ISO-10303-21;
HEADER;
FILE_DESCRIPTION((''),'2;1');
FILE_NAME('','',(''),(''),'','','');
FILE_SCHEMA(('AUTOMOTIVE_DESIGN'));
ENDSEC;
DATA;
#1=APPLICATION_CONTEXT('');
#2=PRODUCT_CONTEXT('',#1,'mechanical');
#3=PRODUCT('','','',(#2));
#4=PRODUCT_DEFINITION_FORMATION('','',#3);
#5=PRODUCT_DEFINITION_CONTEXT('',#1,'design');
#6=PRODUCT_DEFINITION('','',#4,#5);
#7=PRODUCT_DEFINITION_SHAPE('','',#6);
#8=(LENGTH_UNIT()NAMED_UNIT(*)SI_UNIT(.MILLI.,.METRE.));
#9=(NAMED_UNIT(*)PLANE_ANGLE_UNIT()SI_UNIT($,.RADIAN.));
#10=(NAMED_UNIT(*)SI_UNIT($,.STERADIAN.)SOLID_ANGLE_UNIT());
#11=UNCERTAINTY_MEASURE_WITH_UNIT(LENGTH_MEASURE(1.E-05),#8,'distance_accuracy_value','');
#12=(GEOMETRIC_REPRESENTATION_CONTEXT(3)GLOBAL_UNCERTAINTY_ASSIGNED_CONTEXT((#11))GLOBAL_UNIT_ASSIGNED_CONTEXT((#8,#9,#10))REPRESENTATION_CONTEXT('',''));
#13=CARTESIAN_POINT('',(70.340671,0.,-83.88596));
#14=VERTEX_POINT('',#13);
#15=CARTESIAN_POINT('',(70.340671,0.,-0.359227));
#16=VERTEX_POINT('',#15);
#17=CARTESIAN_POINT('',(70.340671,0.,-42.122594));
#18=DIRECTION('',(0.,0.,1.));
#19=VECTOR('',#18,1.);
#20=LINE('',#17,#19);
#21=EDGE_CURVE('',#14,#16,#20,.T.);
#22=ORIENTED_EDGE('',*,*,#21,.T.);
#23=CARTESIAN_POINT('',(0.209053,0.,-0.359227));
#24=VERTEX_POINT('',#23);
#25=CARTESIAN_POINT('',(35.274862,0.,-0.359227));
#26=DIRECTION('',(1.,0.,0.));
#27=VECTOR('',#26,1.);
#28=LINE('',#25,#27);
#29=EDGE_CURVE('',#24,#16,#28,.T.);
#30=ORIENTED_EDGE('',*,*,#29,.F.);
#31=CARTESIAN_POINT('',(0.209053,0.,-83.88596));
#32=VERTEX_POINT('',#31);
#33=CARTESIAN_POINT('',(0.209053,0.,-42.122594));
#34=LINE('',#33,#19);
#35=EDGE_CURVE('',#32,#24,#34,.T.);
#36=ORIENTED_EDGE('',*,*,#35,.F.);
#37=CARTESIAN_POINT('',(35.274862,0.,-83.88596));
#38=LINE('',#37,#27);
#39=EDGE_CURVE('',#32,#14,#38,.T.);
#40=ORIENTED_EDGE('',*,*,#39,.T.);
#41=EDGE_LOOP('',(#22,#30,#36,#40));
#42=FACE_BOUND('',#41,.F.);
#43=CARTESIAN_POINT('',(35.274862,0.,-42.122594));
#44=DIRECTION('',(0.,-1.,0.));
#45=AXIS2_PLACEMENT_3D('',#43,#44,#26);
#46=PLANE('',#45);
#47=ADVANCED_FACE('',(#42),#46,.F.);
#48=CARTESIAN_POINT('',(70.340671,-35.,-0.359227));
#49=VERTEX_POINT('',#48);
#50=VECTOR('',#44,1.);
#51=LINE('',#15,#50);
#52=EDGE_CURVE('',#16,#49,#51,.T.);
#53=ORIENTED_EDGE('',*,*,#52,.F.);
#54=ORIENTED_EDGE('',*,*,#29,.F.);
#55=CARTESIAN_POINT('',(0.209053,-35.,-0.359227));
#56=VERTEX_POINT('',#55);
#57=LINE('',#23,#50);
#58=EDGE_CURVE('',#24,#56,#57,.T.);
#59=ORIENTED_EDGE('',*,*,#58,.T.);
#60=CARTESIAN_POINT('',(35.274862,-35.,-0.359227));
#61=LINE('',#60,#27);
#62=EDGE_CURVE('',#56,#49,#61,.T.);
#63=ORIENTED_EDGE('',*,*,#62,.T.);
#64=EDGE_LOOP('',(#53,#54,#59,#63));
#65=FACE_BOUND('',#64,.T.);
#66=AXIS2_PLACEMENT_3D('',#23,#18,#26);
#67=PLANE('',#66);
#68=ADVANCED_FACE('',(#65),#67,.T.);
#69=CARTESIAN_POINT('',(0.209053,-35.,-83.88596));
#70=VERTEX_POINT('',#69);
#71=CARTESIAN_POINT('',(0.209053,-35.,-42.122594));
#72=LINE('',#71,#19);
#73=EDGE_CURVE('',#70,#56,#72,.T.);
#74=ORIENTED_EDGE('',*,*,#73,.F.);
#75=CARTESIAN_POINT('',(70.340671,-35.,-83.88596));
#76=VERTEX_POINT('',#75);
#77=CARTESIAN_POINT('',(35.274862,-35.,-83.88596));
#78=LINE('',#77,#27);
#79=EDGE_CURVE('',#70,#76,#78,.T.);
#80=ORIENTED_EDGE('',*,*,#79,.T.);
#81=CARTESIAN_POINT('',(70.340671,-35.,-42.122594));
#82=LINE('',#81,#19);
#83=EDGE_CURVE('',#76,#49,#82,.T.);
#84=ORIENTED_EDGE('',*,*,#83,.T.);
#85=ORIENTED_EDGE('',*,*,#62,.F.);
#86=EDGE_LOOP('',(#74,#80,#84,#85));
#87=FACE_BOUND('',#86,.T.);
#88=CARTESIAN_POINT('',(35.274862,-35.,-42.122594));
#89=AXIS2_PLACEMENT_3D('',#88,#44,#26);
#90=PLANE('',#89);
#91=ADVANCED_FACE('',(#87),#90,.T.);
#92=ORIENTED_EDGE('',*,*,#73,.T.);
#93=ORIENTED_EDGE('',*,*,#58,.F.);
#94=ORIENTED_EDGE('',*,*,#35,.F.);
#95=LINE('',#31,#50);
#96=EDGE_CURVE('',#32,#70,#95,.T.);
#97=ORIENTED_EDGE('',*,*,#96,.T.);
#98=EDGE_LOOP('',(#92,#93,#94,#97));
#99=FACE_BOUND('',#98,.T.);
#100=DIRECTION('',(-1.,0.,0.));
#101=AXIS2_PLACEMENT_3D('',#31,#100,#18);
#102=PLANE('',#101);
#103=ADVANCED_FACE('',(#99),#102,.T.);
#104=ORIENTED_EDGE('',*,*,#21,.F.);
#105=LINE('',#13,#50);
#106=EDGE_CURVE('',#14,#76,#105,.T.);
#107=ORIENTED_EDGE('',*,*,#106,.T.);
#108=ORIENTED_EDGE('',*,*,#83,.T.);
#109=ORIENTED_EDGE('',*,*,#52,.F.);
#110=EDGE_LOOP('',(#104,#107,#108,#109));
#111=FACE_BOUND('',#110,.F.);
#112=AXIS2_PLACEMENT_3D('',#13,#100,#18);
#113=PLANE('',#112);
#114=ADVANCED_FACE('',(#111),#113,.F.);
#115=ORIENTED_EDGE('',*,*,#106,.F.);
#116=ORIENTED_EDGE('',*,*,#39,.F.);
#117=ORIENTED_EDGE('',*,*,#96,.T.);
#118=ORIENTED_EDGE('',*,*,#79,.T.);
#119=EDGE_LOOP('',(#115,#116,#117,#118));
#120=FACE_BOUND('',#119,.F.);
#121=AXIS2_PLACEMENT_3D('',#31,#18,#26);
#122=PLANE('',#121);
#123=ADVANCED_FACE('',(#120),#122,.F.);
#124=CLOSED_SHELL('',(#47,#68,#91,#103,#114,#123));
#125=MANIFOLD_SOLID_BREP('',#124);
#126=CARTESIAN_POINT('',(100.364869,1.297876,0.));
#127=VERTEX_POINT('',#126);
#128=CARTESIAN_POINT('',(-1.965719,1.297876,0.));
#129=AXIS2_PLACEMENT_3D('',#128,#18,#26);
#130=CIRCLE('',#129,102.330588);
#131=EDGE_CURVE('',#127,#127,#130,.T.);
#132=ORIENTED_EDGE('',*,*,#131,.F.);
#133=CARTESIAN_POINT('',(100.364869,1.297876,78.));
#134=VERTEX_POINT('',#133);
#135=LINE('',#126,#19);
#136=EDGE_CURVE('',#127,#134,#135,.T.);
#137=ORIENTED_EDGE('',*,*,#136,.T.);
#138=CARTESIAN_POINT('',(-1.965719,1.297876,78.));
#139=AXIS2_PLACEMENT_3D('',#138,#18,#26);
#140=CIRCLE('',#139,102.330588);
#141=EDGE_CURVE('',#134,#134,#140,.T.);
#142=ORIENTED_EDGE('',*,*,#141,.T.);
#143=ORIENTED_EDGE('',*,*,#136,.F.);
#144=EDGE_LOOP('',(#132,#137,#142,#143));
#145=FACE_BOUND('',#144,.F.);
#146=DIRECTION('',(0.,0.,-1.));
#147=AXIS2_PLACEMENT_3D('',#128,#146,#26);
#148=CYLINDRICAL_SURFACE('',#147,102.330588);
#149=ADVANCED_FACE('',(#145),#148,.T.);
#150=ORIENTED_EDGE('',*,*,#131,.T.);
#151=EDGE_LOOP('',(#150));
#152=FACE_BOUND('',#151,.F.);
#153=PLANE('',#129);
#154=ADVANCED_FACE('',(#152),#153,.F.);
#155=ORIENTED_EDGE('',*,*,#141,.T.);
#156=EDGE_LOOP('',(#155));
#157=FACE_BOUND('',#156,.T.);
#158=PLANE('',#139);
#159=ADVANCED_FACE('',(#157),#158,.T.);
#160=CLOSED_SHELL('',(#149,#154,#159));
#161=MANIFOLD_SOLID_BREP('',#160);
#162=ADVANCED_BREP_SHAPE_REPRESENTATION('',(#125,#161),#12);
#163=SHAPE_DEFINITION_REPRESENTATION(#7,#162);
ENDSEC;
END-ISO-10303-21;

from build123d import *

# Parameters (mm, degrees)
F0_R     = 102.330588
F1_DEPTH = 78
F2_W     = 70.131618
F2_H     = 83.526733
F3_DEPTH = 35


with BuildPart() as f1:
    # F0 (on Top) → F1 (new body)
    with BuildSketch(Plane.XY):
        with Locations((-1.965719, 1.297876)):
            Circle(F0_R)
    extrude(amount=F1_DEPTH)


with BuildPart() as f3:
    # F2 (on Front) → F3 (new body)
    with BuildSketch(Plane.XZ):
        with Locations((35.274862, -42.122594)):
            Rectangle(F2_W, F2_H)
    extrude(amount=F3_DEPTH)


solid = Compound([f1.part, f3.part])
